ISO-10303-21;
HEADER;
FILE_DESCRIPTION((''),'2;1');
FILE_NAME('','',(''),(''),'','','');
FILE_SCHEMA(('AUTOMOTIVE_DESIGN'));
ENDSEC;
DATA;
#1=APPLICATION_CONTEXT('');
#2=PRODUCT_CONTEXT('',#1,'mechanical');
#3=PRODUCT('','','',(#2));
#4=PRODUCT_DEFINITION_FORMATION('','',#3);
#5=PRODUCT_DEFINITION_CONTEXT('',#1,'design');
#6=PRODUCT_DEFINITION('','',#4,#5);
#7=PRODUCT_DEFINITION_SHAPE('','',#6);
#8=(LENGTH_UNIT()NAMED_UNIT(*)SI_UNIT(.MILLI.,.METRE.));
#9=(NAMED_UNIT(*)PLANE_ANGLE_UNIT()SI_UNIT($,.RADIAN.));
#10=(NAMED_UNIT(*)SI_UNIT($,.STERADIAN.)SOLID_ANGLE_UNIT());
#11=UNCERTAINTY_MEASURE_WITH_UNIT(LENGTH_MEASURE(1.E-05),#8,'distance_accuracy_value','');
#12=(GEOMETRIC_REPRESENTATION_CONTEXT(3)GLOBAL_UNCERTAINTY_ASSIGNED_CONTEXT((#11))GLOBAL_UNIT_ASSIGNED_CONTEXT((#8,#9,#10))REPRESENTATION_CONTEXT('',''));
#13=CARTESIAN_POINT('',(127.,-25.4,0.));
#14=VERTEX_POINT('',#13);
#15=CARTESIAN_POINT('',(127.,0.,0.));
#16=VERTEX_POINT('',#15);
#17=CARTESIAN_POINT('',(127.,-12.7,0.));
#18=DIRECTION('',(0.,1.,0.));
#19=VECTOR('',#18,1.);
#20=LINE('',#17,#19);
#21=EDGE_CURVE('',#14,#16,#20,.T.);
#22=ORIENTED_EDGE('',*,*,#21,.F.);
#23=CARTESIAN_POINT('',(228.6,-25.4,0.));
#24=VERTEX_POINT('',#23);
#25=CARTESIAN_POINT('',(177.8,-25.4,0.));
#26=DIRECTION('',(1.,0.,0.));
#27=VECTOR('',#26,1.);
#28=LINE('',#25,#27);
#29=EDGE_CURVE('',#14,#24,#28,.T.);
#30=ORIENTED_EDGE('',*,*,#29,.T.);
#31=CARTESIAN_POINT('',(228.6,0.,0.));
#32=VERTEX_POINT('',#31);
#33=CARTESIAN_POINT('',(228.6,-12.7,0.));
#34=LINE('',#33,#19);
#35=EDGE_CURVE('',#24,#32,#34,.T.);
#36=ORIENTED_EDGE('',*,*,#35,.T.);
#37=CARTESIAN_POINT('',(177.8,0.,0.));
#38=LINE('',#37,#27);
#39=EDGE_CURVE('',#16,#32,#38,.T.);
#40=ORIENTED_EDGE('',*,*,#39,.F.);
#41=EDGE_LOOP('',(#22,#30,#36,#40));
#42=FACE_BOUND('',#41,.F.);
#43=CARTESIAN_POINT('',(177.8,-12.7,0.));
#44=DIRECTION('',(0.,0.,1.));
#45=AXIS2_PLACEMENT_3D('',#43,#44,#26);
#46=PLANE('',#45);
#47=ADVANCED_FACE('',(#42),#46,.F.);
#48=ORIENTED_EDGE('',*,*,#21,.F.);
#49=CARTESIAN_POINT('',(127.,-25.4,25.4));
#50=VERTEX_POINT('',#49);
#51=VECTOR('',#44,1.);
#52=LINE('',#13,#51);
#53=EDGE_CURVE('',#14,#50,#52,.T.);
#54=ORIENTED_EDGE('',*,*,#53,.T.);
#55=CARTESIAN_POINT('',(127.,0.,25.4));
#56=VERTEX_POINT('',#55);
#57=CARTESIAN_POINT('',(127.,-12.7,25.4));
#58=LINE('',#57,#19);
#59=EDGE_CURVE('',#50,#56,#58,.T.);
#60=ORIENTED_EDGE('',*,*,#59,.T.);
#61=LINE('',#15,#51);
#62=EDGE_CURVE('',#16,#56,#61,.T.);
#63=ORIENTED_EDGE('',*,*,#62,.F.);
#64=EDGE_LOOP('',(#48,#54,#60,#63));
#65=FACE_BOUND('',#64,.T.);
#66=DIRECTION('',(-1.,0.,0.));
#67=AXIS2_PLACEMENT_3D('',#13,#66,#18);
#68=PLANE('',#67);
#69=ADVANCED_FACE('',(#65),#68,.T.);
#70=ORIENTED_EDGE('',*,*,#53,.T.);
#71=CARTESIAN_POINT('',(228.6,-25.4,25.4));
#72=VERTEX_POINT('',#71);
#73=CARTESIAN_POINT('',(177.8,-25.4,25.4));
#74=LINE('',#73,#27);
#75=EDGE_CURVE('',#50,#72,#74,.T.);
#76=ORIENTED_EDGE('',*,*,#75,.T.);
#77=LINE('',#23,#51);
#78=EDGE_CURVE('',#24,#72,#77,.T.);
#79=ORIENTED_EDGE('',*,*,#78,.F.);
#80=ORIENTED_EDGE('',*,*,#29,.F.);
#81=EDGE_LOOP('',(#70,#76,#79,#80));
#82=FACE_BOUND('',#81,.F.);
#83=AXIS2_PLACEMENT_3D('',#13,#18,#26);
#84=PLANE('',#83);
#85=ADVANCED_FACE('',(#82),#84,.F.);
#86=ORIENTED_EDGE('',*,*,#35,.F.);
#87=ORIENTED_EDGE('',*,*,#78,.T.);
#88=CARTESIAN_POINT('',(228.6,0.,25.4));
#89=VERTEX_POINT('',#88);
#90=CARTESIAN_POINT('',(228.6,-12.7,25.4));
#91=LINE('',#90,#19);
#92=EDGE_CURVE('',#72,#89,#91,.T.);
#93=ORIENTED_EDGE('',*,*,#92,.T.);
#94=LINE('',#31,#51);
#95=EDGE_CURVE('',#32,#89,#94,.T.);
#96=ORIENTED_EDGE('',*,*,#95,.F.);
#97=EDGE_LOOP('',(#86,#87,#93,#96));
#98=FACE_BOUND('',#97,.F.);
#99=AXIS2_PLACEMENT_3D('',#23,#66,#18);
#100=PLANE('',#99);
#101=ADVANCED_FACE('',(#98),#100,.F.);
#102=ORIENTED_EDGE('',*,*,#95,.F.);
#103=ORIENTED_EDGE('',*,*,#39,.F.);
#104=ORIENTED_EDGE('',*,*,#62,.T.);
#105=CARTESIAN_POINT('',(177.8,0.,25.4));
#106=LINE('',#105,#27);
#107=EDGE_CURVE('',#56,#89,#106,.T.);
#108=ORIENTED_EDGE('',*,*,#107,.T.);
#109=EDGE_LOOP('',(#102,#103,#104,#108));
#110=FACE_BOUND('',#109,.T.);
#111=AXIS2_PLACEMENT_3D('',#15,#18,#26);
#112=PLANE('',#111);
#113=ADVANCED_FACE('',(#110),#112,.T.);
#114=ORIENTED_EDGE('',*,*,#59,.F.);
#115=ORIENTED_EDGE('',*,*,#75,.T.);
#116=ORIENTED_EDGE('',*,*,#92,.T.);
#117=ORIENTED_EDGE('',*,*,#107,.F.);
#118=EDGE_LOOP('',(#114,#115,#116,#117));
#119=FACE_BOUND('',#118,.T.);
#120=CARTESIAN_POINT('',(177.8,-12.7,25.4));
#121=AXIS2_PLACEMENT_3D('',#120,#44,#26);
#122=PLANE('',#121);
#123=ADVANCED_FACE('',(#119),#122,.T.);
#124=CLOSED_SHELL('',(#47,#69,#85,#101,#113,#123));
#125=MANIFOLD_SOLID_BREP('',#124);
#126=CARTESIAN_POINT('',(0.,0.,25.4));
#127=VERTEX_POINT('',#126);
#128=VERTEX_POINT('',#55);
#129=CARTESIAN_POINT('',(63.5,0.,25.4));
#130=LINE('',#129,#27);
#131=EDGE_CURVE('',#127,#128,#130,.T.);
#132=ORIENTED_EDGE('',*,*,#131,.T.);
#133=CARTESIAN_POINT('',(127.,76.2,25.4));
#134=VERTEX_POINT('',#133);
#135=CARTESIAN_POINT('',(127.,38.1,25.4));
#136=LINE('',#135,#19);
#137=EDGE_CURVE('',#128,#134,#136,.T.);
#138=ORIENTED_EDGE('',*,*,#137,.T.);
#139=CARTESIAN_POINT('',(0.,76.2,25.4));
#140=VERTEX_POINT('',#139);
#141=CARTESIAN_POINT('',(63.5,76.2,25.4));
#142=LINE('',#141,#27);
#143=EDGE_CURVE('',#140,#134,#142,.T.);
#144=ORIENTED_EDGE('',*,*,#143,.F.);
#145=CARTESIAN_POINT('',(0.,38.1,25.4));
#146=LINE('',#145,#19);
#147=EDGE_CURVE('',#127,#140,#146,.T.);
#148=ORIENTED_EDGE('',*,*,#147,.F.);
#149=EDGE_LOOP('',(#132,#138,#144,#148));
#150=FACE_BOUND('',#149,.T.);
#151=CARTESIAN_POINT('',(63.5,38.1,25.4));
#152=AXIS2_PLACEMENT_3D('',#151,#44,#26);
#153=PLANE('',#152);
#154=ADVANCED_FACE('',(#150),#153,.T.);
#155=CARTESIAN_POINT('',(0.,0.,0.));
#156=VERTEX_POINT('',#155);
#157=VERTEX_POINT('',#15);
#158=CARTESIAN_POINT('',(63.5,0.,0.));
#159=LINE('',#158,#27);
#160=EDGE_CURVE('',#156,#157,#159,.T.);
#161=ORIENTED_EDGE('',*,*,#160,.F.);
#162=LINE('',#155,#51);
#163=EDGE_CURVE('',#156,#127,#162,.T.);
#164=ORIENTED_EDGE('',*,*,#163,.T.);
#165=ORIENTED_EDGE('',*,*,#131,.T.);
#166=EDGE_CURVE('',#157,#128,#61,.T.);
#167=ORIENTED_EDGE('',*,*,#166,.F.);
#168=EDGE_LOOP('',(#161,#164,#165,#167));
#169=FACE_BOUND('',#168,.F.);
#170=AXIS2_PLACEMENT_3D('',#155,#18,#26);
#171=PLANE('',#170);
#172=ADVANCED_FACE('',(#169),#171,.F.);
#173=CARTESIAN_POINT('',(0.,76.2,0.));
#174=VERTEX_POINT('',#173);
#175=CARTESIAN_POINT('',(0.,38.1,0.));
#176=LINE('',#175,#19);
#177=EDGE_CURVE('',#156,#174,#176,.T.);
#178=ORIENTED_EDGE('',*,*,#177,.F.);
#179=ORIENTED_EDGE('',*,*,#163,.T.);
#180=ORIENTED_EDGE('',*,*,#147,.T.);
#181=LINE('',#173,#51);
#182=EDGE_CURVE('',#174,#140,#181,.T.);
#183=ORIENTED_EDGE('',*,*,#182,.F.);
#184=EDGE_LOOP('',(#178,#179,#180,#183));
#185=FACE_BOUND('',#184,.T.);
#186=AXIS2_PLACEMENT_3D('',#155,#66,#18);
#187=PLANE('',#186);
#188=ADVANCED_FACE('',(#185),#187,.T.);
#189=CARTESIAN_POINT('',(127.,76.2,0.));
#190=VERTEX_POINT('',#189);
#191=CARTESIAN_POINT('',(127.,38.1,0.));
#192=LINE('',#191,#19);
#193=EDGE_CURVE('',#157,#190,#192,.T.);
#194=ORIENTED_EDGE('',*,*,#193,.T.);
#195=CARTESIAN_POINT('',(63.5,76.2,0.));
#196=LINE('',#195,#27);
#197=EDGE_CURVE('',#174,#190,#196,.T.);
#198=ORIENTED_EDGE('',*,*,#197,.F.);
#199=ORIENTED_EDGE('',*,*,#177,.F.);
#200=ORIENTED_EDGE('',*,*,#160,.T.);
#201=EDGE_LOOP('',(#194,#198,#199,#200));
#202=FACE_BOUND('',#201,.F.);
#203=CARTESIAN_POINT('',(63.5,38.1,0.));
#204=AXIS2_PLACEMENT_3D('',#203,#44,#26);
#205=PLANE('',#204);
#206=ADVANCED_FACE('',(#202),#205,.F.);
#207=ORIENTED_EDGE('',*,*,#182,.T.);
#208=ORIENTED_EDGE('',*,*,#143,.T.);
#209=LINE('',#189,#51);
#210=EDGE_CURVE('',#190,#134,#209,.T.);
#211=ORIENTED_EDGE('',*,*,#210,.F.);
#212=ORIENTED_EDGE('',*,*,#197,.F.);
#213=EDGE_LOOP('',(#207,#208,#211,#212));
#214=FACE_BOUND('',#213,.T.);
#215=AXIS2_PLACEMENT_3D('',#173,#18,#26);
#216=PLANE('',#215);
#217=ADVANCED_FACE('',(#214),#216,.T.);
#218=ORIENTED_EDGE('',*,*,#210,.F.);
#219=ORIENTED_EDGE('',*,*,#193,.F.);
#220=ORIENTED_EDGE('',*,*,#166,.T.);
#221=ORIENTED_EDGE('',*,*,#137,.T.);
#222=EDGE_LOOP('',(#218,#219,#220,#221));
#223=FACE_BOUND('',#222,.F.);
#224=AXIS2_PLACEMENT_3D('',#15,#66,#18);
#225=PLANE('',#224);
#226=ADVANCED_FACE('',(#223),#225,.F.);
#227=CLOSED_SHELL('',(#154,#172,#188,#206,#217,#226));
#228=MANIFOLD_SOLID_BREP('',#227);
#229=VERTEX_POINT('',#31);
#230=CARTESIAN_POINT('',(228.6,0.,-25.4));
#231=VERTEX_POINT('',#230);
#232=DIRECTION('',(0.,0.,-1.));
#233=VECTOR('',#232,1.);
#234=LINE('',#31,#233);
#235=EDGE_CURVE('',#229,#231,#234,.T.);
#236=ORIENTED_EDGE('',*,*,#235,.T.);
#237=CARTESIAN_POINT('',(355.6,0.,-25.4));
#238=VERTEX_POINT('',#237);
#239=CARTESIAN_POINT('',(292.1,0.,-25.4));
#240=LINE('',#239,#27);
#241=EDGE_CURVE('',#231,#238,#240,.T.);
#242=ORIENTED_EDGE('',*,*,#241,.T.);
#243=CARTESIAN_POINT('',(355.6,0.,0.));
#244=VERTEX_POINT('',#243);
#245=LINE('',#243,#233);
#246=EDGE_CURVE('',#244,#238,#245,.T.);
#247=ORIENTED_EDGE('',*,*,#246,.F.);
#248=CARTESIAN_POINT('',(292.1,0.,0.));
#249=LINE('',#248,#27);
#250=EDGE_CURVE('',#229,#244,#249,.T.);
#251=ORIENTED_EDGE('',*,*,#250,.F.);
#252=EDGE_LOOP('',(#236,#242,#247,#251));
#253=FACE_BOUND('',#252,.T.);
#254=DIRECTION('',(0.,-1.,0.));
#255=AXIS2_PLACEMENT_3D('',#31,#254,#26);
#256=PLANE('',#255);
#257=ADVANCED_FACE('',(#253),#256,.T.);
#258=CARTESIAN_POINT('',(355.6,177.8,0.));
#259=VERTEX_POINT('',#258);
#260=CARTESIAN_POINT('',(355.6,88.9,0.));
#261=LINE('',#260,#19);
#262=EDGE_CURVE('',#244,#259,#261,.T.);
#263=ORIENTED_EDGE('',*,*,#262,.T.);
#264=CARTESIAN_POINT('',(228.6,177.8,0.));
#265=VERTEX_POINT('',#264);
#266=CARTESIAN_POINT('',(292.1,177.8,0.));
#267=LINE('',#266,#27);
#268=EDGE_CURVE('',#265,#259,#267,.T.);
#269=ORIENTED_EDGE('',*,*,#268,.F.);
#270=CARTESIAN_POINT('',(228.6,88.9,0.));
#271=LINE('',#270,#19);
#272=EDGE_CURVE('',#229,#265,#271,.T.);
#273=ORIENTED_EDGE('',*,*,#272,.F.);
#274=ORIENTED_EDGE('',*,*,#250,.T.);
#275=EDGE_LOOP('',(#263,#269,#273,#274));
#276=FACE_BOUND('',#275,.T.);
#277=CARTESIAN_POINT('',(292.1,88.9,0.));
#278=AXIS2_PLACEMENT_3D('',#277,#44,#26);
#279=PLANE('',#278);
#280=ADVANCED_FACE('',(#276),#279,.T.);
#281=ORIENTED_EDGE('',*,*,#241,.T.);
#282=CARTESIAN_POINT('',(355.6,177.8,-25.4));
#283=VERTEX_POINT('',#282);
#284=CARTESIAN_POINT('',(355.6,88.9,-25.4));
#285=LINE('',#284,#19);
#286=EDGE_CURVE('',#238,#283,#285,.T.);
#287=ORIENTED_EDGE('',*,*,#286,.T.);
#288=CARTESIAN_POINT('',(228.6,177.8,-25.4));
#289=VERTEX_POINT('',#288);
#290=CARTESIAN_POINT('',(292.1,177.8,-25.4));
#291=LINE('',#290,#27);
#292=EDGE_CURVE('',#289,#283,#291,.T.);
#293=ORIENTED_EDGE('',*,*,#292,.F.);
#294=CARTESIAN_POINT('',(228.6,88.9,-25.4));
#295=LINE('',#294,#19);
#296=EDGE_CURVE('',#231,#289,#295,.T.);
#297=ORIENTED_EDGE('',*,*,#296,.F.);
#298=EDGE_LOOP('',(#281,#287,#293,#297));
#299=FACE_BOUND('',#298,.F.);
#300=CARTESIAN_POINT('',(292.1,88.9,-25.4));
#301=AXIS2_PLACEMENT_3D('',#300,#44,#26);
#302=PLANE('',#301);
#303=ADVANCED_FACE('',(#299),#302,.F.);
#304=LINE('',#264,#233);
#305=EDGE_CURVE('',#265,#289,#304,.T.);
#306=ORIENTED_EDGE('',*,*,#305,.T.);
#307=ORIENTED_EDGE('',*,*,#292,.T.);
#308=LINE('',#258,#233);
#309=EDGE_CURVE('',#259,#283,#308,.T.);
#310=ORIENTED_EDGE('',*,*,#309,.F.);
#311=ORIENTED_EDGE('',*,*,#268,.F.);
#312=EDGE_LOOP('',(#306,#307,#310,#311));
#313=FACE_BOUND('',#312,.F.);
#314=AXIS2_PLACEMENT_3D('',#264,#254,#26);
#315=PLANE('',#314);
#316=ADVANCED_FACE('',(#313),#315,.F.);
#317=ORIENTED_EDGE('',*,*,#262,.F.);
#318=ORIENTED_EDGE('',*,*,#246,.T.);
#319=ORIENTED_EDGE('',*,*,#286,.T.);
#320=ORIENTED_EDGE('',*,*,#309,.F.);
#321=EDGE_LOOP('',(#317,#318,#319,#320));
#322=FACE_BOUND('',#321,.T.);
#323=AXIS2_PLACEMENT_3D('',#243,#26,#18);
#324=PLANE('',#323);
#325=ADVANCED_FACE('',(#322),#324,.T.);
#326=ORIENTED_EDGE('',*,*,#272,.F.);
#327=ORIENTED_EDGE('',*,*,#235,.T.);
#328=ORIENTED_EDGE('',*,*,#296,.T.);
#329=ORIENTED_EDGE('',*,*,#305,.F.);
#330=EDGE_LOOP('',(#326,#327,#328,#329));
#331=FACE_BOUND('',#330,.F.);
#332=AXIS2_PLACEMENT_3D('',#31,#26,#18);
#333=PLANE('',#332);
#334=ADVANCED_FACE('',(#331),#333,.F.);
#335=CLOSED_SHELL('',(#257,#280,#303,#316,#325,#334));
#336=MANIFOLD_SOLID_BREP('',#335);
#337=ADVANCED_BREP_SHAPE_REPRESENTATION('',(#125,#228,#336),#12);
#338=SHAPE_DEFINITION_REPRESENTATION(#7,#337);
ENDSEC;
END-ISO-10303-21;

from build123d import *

# Parameters (mm, degrees)
F0_W     = 127
F0_H     = 76.2
F0_W_2   = 101.6
F0_H_2   = 25.4
F1_DEPTH = 25.4
F0_H_3   = 177.8
F2_DEPTH = 25.4


with BuildPart() as f1:
    # F0 (on Top) → F1 (new body)
    with BuildSketch(Plane.XY):
        with Locations((63.5, 38.1)):
            Rectangle(F0_W, F0_H)
        with Locations((177.8, -12.7)):
            Rectangle(F0_W_2, F0_H_2)
    extrude(amount=F1_DEPTH)


with BuildPart() as f2:
    # F0 (on Top) → F2 (new body)
    with BuildSketch(Plane.XY):
        with Locations((292.1, 88.9)):
            Rectangle(F0_W, F0_H_3)
    extrude(amount=-F2_DEPTH)


solid = Compound([f1.part, f2.part])
